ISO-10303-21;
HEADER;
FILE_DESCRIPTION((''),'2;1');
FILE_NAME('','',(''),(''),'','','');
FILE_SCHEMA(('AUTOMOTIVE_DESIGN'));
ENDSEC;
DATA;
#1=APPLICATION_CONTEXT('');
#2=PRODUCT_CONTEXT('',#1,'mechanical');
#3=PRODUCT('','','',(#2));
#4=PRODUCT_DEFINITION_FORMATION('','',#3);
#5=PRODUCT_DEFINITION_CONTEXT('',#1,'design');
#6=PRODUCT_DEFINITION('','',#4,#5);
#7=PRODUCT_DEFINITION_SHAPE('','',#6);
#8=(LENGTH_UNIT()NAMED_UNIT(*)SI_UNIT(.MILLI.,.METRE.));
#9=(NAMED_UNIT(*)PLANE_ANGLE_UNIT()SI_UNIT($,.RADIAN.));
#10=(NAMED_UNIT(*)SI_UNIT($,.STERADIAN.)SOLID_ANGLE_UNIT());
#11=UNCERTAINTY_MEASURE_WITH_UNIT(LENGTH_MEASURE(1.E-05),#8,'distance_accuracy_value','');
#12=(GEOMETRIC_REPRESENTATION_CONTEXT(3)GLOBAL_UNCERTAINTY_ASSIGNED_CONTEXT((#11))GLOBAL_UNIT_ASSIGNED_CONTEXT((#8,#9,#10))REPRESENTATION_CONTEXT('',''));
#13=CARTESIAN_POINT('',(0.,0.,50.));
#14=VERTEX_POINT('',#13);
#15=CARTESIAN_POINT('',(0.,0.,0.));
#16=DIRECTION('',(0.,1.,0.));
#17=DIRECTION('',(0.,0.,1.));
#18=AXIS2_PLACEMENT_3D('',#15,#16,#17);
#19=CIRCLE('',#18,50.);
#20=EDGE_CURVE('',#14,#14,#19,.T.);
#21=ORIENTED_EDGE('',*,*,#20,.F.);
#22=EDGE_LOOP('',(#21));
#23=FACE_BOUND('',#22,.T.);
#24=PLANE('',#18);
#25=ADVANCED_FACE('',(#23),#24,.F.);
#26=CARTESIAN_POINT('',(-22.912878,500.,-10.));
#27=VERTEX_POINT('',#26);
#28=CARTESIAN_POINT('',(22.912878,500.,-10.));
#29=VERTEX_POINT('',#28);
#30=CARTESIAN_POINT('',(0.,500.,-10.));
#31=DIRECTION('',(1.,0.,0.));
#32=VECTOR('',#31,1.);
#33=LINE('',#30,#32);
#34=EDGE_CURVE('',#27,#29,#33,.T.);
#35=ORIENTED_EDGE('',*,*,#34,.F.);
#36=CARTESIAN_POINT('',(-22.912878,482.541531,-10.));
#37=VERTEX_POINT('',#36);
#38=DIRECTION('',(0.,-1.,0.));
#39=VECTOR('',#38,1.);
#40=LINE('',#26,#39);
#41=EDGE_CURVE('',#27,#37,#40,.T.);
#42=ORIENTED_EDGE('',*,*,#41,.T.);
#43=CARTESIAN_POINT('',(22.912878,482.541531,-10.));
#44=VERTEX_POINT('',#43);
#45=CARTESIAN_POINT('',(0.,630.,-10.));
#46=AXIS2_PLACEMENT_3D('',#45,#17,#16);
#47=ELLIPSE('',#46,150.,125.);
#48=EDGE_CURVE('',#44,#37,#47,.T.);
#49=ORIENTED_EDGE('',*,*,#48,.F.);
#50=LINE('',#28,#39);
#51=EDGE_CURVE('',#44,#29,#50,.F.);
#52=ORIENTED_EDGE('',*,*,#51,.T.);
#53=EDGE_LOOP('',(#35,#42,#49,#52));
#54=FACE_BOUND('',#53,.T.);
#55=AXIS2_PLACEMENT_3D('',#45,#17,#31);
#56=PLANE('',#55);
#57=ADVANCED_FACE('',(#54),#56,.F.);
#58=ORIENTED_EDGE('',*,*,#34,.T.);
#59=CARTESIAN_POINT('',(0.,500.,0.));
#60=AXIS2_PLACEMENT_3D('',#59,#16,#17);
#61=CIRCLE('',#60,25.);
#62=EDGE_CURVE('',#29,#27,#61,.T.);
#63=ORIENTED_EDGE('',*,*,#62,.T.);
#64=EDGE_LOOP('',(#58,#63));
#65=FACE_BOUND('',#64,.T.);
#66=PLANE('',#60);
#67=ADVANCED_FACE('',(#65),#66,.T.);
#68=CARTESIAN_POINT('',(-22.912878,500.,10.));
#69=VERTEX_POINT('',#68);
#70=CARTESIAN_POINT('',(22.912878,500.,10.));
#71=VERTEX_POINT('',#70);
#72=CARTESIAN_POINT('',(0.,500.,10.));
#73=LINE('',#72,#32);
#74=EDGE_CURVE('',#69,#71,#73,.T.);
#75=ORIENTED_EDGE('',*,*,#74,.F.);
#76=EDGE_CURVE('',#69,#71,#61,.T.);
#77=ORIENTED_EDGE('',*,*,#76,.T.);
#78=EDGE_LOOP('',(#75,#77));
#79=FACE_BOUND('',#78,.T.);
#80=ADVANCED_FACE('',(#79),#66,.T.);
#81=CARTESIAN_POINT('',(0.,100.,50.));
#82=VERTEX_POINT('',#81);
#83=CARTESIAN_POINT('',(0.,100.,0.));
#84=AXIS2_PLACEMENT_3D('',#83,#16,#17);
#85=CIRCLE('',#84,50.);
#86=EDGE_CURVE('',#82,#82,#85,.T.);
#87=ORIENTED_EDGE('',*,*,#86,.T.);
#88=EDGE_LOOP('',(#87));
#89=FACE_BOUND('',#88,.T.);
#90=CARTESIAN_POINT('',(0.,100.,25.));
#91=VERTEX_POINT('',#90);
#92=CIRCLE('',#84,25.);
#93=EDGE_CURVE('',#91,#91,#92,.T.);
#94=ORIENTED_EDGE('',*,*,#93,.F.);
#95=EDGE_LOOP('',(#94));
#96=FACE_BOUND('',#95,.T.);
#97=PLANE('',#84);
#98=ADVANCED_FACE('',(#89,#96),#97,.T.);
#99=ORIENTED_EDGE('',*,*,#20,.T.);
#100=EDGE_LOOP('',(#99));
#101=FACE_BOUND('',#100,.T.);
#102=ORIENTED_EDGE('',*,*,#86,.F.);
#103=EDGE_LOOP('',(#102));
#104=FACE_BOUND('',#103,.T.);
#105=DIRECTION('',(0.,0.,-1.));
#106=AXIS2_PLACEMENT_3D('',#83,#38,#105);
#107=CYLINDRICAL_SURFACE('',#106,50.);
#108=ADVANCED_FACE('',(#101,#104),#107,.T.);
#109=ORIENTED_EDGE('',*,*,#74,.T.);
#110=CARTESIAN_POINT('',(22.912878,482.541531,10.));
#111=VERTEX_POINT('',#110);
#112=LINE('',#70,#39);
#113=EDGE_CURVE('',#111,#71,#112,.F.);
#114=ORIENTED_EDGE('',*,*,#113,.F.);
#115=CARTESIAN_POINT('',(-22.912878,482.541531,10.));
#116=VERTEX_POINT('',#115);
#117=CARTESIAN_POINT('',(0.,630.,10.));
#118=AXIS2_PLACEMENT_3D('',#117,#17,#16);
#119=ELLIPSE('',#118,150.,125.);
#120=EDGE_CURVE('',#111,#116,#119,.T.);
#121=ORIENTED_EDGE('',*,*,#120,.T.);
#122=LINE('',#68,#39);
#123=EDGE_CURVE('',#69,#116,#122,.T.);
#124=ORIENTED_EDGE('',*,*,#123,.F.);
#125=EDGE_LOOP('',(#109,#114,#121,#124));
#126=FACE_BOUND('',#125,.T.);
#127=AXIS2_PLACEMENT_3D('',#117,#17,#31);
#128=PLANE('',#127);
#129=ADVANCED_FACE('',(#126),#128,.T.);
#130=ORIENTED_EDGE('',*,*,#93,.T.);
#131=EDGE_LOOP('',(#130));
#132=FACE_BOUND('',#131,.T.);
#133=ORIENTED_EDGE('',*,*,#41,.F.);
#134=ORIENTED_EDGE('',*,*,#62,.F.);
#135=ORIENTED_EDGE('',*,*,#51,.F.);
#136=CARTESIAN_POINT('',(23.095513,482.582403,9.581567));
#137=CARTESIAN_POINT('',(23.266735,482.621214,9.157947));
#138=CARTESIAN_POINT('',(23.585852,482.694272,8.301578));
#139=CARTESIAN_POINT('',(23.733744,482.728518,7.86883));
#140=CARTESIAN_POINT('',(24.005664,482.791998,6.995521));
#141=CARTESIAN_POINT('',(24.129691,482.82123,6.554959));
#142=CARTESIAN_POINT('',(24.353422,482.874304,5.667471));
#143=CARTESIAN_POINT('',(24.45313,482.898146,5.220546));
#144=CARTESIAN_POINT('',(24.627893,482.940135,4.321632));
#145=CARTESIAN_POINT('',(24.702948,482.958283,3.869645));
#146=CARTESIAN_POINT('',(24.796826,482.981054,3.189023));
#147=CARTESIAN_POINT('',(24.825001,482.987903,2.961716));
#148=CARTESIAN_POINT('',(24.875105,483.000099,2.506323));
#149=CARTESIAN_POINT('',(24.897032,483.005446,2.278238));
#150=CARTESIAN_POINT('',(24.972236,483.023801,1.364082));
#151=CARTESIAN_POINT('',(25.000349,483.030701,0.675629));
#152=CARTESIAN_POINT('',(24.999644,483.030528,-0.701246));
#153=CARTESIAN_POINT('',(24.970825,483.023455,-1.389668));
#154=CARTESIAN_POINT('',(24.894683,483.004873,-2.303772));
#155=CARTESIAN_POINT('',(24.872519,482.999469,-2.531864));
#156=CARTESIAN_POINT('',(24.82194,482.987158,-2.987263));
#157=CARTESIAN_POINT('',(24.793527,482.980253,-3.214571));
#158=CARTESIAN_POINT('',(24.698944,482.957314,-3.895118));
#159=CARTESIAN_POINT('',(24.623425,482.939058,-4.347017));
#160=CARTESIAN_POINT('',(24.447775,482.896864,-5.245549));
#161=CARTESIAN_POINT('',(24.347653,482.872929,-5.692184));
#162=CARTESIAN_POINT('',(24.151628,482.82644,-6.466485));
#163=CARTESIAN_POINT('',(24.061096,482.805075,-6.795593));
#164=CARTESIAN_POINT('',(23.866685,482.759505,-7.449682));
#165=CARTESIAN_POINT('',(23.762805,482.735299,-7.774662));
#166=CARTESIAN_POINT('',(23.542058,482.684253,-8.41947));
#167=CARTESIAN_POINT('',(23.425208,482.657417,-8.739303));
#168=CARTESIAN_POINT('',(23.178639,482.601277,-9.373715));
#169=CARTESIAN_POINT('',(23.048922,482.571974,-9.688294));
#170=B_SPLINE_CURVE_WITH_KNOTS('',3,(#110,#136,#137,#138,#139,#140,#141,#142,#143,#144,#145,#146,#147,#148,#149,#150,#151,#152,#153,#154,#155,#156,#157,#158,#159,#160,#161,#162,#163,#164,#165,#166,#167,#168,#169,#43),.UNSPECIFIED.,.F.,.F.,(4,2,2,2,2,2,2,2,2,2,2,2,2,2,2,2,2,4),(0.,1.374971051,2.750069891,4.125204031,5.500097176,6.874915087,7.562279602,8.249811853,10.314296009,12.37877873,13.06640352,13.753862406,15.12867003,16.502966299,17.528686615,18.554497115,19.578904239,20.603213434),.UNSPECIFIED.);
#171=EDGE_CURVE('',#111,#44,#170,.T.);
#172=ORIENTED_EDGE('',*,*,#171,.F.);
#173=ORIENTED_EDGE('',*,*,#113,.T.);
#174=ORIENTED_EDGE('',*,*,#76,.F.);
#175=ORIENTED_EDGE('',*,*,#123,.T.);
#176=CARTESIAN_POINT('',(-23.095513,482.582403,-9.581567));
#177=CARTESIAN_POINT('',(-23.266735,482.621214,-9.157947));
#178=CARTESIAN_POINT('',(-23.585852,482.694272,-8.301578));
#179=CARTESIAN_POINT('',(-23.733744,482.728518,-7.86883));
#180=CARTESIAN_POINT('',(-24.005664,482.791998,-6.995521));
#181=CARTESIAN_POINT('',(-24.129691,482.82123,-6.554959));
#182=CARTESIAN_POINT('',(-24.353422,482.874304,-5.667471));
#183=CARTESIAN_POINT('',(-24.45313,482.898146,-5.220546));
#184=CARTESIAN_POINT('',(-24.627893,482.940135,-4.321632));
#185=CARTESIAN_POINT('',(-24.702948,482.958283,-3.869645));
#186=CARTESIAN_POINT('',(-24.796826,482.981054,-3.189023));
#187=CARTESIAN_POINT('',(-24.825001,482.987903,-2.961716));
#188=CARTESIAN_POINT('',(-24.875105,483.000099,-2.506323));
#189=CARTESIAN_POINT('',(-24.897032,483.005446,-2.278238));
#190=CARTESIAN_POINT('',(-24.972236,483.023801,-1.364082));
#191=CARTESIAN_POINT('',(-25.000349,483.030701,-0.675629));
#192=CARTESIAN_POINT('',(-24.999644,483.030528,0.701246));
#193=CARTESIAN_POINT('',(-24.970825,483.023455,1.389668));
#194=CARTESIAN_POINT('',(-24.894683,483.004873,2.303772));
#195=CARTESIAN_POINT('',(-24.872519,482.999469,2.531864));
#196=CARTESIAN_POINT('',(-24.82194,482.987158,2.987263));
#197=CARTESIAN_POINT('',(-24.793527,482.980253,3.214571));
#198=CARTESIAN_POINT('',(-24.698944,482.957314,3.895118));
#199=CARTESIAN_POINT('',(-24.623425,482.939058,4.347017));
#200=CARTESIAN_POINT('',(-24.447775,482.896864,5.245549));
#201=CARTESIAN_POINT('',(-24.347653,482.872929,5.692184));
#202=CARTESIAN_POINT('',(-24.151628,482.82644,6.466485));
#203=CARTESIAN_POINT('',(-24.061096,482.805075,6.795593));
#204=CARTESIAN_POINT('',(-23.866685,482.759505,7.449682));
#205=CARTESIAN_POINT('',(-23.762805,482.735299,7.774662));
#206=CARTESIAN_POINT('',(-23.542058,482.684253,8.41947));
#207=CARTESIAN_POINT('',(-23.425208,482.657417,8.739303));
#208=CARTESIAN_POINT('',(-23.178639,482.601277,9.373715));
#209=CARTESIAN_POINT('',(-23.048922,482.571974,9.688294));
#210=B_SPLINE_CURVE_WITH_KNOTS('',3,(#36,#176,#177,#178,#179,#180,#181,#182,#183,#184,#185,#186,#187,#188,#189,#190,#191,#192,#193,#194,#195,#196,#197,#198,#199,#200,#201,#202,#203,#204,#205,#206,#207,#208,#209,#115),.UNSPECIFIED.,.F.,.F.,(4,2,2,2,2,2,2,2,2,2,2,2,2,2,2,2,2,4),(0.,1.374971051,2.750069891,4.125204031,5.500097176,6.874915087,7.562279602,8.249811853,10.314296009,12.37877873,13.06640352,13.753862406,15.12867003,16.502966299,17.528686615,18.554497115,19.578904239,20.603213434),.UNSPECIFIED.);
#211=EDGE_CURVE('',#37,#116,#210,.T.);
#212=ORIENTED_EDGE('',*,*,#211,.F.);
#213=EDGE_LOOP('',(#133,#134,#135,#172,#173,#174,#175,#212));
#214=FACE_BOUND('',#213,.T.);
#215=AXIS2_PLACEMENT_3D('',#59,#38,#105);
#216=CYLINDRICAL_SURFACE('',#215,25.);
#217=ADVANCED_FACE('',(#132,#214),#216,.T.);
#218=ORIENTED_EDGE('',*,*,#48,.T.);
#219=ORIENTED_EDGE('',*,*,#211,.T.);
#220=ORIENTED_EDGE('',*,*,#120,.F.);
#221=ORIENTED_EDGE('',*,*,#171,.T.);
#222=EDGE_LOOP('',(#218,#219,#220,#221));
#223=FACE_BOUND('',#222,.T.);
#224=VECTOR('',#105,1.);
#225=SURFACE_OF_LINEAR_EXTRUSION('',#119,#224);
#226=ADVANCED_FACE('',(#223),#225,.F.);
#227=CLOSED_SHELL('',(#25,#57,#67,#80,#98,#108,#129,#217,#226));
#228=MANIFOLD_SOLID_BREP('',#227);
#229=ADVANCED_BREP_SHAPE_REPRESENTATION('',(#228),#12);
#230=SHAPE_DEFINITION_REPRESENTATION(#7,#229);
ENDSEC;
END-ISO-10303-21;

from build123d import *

# Parameters (mm, degrees)
SKETCH_1_R      = 50
EXTRUDE_1_DEPTH = 100
SKETCH_2_R      = 25
EXTRUDE_2_DEPTH = 400
SKETCH_3_RX     = 150
SKETCH_3_RY     = 125
EXTRUDE_3_DEPTH = 10


with BuildPart() as part:
    # 草图1 → 凸台-拉伸1 (new body)
    with BuildSketch(Plane(origin=(0, 0, 0), x_dir=(1, 0, 0), z_dir=(0, 1, 0))):
        with Locations(Location((0, 0, 0), (0, 0, 270))):
            Circle(SKETCH_1_R)
    extrude(amount=EXTRUDE_1_DEPTH)

    # 草图2 → 凸台-拉伸2 (add)
    with BuildSketch(Plane(origin=(0, 100, 0), x_dir=(1, 0, 0), z_dir=(0, 1, 0))):
        with Locations(Location((0, 0, 0), (0, 0, 270))):
            Circle(SKETCH_2_R)
    extrude(amount=EXTRUDE_2_DEPTH)

    # 草图3 → 凸台-拉伸3 (add, symmetric)
    with BuildSketch(Plane.XY):
        with Locations(Location((0, 630), (0, 0, 90))):
            Ellipse(SKETCH_3_RX, SKETCH_3_RY)
    extrude(amount=EXTRUDE_3_DEPTH, both=True)


solid = part.part
